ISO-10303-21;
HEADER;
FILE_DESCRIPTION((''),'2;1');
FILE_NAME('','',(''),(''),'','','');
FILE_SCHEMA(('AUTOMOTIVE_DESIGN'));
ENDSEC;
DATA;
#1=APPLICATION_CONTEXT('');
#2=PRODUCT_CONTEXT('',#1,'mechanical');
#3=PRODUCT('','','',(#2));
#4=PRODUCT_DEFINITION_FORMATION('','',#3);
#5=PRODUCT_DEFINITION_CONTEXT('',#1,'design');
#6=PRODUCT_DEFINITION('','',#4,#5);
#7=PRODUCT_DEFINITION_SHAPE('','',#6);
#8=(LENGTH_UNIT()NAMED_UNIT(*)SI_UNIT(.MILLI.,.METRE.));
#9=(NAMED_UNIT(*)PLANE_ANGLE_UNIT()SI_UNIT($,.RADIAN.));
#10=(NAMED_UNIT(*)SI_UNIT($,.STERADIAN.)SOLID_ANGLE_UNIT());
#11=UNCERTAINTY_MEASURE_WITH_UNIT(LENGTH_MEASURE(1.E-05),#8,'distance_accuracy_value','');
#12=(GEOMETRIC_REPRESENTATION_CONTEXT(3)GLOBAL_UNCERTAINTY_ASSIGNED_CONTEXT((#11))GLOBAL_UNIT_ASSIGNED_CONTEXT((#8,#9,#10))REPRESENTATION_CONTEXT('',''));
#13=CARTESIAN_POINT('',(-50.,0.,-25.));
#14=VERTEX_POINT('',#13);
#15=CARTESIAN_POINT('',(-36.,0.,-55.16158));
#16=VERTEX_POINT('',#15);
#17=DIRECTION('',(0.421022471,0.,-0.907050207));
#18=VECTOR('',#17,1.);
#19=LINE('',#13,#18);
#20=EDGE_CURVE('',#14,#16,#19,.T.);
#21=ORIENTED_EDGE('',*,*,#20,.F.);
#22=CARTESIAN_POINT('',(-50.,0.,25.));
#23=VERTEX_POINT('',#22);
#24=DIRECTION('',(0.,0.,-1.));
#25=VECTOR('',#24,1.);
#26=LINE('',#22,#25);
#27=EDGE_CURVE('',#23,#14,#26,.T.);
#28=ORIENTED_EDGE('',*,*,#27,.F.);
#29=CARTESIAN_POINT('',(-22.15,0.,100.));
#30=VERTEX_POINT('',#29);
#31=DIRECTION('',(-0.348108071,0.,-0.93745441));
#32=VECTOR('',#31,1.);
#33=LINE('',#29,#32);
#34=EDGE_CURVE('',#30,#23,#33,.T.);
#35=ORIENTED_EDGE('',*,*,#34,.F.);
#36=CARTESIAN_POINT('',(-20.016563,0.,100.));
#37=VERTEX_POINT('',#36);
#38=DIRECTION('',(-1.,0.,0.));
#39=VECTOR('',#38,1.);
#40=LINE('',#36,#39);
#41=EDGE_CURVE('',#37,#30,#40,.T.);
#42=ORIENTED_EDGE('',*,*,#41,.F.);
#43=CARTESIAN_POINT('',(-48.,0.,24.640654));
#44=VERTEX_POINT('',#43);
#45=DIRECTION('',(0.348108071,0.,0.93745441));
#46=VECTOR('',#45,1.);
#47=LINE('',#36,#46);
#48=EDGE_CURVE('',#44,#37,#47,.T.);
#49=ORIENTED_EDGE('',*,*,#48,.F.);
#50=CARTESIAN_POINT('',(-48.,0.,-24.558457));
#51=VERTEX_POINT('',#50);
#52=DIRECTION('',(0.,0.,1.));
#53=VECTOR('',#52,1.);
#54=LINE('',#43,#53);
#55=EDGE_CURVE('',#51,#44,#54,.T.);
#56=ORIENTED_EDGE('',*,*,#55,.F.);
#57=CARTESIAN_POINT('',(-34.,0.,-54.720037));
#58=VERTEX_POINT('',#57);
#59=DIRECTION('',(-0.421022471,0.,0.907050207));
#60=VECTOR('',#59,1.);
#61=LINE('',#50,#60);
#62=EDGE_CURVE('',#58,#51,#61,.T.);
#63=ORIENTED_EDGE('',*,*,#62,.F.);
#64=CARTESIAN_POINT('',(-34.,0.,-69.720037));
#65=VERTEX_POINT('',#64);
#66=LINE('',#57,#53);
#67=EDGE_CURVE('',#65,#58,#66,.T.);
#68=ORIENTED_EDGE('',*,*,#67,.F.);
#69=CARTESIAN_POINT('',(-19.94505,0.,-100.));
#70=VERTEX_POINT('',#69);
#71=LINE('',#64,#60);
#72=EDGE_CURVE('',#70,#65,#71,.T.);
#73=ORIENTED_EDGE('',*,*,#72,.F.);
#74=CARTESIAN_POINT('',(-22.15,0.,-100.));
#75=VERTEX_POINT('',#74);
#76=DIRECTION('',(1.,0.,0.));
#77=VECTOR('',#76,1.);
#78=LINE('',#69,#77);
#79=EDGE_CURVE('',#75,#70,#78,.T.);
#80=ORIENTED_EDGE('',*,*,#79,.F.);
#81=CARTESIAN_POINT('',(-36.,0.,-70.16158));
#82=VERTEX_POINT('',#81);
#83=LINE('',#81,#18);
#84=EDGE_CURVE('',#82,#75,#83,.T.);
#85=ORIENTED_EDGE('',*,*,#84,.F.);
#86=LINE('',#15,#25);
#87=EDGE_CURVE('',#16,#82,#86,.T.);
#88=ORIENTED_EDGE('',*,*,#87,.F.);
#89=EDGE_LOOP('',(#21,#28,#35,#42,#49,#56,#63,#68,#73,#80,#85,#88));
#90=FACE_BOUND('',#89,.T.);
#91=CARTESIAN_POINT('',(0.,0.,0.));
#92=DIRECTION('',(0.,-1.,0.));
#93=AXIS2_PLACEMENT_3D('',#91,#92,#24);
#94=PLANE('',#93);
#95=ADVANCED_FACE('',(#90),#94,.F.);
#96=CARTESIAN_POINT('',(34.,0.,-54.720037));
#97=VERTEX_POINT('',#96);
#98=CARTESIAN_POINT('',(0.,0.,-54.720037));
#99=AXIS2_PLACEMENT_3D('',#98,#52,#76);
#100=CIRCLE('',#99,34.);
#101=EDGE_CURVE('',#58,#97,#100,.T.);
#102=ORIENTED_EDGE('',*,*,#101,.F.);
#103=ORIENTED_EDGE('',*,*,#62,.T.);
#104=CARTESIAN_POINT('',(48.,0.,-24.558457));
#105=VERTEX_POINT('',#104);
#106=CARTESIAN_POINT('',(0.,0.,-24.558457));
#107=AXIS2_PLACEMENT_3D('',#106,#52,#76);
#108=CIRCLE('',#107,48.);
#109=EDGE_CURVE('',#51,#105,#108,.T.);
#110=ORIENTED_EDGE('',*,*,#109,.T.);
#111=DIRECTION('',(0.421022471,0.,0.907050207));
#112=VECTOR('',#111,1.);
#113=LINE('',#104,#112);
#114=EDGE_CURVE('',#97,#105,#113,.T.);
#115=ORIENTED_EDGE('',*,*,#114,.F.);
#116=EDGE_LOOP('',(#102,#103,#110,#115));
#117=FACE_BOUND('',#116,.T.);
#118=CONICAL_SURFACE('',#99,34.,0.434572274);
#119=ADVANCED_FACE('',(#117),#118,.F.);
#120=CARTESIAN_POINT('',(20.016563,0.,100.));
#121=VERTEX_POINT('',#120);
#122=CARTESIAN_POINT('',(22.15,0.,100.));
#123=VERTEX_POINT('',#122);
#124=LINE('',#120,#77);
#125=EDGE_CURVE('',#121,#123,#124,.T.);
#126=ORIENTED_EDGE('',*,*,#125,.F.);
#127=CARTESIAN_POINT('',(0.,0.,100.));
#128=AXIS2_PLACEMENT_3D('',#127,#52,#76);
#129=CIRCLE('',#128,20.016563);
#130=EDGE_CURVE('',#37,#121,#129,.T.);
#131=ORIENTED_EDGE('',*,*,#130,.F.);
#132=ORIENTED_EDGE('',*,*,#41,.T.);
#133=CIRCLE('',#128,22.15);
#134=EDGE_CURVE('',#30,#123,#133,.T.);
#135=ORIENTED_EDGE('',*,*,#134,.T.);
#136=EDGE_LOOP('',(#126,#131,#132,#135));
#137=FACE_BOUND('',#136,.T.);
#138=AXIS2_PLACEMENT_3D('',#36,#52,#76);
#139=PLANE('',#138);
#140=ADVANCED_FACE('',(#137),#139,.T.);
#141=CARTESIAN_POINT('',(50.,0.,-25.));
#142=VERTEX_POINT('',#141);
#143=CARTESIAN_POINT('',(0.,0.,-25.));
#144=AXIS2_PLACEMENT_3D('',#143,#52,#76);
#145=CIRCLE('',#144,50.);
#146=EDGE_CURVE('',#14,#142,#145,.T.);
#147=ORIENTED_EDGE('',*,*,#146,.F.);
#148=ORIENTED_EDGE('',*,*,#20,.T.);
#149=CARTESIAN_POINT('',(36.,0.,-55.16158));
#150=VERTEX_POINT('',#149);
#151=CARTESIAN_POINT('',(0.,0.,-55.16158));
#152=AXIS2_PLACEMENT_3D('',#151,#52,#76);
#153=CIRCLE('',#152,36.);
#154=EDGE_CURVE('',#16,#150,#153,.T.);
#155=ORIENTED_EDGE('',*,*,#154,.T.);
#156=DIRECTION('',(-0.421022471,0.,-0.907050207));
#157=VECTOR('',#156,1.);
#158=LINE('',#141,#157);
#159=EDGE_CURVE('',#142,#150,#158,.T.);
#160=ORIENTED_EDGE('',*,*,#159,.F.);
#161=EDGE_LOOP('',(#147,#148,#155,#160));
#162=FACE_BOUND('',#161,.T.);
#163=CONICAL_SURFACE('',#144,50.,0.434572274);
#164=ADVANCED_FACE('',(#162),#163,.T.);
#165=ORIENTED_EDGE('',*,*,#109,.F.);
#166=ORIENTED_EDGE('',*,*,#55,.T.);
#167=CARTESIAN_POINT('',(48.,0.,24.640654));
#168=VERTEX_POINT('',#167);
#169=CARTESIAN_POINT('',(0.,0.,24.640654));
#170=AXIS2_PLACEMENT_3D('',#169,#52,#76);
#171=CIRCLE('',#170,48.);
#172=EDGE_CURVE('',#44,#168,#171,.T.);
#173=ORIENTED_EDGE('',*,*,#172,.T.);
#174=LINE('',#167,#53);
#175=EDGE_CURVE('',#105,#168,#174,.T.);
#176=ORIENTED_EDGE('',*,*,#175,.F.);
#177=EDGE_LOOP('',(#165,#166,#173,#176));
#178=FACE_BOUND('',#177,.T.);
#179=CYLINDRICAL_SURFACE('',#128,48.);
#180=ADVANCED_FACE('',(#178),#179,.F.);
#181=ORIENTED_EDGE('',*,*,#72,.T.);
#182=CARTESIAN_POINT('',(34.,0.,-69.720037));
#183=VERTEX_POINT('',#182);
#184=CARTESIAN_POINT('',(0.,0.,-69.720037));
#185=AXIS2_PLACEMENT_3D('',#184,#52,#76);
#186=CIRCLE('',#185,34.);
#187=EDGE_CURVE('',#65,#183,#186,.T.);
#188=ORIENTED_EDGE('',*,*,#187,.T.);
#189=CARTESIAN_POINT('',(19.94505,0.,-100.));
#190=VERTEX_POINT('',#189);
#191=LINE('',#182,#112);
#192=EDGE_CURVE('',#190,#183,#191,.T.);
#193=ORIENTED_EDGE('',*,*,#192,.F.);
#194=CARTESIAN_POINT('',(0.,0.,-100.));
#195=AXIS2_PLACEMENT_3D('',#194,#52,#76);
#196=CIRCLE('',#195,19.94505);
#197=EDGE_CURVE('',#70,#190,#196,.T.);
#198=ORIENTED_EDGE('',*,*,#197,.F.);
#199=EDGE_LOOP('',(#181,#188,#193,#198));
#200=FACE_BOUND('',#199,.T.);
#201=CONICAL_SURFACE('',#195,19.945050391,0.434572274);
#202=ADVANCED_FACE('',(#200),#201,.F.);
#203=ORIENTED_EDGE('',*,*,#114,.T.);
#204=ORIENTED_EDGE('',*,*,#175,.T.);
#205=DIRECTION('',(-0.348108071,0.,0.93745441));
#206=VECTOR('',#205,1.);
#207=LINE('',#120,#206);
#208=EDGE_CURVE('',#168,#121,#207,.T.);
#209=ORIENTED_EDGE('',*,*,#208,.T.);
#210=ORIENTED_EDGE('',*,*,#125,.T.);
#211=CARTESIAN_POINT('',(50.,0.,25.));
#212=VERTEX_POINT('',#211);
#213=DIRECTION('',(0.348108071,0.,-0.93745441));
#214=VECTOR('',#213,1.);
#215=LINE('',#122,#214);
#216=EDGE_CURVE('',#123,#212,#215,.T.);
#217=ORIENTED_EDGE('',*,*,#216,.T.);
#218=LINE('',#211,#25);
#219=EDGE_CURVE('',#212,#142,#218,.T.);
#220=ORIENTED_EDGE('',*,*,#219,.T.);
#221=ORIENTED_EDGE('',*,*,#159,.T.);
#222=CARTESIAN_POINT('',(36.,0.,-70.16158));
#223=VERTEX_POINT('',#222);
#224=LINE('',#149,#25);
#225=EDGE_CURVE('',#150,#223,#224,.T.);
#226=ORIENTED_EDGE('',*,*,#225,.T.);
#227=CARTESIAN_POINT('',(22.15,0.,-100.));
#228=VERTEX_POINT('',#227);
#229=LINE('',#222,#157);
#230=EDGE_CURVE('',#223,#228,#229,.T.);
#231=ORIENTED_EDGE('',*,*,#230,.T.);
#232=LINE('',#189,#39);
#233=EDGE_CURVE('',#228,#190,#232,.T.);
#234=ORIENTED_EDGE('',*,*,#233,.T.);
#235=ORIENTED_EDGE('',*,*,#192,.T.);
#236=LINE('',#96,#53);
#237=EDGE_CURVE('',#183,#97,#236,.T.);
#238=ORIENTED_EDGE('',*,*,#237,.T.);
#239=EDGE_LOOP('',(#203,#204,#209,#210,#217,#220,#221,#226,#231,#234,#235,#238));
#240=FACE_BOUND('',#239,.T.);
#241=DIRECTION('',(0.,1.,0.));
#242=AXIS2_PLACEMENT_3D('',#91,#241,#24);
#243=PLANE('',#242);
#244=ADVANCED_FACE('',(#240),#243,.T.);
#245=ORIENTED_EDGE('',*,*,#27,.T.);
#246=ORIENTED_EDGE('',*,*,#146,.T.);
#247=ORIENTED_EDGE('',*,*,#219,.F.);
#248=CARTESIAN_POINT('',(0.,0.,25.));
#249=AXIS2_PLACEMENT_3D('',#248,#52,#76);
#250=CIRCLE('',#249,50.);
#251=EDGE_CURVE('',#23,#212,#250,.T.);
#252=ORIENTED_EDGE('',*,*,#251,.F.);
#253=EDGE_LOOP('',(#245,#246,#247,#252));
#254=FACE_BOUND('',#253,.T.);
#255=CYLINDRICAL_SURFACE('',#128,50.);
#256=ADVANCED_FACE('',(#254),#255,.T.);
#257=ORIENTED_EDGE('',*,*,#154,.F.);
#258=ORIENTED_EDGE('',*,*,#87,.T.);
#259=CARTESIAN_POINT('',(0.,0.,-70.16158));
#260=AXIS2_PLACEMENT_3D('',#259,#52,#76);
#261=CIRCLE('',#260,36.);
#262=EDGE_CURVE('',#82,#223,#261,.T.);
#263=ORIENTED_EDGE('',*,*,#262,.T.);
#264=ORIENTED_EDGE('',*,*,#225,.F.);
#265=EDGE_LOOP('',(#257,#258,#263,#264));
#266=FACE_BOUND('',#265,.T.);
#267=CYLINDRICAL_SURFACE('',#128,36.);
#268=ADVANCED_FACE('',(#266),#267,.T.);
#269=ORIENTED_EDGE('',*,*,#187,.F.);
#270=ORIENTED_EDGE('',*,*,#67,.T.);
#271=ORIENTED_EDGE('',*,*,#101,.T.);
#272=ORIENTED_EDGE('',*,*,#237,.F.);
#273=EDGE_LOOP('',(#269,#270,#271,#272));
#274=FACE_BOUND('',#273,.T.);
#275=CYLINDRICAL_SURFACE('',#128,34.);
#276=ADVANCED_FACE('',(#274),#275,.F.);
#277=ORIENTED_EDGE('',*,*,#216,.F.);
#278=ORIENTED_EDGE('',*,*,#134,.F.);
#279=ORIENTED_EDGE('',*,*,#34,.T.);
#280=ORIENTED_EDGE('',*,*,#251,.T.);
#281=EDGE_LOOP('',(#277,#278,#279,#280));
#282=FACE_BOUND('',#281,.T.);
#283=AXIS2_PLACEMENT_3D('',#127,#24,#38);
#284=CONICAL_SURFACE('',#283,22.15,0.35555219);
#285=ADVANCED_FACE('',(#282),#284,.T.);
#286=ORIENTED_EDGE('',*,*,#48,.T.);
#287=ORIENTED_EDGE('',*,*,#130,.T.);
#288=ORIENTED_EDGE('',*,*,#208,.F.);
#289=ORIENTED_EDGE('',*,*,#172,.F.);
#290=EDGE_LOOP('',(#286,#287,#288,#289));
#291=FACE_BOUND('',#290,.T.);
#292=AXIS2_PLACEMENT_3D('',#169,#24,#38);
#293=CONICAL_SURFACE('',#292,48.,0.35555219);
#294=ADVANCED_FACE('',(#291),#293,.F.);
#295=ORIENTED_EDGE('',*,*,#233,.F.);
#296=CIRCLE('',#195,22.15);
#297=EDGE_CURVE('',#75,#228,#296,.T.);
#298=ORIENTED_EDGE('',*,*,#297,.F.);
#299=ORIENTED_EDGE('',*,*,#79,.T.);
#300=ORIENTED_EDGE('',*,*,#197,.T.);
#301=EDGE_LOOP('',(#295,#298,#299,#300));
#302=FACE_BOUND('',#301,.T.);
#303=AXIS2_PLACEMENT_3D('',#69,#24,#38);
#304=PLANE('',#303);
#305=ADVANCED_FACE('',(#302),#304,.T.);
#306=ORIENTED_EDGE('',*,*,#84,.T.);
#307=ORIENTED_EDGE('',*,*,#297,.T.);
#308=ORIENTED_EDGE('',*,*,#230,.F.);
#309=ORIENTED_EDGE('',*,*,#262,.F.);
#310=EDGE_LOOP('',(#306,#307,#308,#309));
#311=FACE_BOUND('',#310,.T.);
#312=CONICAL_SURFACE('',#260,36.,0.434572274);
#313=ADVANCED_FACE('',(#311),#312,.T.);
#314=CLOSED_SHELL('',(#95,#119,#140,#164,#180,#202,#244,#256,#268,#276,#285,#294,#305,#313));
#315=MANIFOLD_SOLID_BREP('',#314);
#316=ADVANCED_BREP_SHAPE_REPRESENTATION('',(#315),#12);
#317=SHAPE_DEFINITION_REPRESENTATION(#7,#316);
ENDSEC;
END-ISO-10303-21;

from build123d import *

# Parameters (mm, degrees)
REVOLVE1_ANGLE = 180


with BuildPart() as part:
    # Sketch3 → Revolve1 (revolve, symmetric)
    with BuildSketch(Plane(origin=(0, 0, 0), x_dir=(0, 0, -1), z_dir=(1, 0, 0))) as revolve1_sk:
        Polygon((-100, -22.15), (-25, -50), (25, -50), (55.161579892, -36), (70.161579892, -36), (100, -22.15), (100, -19.945050391), (69.720036749, -34), (54.720036749, -34), (24.558456857, -48), (-24.640654181, -48), (-100, -20.016562919), align=None)
    revolve(axis=Axis((0, 0, 100), (0, 0, -1)), revolution_arc=REVOLVE1_ANGLE / 2)
    revolve(revolve1_sk.sketch, axis=Axis((0, 0, 100), (0, 0, 1)), revolution_arc=REVOLVE1_ANGLE / 2)


solid = part.part
